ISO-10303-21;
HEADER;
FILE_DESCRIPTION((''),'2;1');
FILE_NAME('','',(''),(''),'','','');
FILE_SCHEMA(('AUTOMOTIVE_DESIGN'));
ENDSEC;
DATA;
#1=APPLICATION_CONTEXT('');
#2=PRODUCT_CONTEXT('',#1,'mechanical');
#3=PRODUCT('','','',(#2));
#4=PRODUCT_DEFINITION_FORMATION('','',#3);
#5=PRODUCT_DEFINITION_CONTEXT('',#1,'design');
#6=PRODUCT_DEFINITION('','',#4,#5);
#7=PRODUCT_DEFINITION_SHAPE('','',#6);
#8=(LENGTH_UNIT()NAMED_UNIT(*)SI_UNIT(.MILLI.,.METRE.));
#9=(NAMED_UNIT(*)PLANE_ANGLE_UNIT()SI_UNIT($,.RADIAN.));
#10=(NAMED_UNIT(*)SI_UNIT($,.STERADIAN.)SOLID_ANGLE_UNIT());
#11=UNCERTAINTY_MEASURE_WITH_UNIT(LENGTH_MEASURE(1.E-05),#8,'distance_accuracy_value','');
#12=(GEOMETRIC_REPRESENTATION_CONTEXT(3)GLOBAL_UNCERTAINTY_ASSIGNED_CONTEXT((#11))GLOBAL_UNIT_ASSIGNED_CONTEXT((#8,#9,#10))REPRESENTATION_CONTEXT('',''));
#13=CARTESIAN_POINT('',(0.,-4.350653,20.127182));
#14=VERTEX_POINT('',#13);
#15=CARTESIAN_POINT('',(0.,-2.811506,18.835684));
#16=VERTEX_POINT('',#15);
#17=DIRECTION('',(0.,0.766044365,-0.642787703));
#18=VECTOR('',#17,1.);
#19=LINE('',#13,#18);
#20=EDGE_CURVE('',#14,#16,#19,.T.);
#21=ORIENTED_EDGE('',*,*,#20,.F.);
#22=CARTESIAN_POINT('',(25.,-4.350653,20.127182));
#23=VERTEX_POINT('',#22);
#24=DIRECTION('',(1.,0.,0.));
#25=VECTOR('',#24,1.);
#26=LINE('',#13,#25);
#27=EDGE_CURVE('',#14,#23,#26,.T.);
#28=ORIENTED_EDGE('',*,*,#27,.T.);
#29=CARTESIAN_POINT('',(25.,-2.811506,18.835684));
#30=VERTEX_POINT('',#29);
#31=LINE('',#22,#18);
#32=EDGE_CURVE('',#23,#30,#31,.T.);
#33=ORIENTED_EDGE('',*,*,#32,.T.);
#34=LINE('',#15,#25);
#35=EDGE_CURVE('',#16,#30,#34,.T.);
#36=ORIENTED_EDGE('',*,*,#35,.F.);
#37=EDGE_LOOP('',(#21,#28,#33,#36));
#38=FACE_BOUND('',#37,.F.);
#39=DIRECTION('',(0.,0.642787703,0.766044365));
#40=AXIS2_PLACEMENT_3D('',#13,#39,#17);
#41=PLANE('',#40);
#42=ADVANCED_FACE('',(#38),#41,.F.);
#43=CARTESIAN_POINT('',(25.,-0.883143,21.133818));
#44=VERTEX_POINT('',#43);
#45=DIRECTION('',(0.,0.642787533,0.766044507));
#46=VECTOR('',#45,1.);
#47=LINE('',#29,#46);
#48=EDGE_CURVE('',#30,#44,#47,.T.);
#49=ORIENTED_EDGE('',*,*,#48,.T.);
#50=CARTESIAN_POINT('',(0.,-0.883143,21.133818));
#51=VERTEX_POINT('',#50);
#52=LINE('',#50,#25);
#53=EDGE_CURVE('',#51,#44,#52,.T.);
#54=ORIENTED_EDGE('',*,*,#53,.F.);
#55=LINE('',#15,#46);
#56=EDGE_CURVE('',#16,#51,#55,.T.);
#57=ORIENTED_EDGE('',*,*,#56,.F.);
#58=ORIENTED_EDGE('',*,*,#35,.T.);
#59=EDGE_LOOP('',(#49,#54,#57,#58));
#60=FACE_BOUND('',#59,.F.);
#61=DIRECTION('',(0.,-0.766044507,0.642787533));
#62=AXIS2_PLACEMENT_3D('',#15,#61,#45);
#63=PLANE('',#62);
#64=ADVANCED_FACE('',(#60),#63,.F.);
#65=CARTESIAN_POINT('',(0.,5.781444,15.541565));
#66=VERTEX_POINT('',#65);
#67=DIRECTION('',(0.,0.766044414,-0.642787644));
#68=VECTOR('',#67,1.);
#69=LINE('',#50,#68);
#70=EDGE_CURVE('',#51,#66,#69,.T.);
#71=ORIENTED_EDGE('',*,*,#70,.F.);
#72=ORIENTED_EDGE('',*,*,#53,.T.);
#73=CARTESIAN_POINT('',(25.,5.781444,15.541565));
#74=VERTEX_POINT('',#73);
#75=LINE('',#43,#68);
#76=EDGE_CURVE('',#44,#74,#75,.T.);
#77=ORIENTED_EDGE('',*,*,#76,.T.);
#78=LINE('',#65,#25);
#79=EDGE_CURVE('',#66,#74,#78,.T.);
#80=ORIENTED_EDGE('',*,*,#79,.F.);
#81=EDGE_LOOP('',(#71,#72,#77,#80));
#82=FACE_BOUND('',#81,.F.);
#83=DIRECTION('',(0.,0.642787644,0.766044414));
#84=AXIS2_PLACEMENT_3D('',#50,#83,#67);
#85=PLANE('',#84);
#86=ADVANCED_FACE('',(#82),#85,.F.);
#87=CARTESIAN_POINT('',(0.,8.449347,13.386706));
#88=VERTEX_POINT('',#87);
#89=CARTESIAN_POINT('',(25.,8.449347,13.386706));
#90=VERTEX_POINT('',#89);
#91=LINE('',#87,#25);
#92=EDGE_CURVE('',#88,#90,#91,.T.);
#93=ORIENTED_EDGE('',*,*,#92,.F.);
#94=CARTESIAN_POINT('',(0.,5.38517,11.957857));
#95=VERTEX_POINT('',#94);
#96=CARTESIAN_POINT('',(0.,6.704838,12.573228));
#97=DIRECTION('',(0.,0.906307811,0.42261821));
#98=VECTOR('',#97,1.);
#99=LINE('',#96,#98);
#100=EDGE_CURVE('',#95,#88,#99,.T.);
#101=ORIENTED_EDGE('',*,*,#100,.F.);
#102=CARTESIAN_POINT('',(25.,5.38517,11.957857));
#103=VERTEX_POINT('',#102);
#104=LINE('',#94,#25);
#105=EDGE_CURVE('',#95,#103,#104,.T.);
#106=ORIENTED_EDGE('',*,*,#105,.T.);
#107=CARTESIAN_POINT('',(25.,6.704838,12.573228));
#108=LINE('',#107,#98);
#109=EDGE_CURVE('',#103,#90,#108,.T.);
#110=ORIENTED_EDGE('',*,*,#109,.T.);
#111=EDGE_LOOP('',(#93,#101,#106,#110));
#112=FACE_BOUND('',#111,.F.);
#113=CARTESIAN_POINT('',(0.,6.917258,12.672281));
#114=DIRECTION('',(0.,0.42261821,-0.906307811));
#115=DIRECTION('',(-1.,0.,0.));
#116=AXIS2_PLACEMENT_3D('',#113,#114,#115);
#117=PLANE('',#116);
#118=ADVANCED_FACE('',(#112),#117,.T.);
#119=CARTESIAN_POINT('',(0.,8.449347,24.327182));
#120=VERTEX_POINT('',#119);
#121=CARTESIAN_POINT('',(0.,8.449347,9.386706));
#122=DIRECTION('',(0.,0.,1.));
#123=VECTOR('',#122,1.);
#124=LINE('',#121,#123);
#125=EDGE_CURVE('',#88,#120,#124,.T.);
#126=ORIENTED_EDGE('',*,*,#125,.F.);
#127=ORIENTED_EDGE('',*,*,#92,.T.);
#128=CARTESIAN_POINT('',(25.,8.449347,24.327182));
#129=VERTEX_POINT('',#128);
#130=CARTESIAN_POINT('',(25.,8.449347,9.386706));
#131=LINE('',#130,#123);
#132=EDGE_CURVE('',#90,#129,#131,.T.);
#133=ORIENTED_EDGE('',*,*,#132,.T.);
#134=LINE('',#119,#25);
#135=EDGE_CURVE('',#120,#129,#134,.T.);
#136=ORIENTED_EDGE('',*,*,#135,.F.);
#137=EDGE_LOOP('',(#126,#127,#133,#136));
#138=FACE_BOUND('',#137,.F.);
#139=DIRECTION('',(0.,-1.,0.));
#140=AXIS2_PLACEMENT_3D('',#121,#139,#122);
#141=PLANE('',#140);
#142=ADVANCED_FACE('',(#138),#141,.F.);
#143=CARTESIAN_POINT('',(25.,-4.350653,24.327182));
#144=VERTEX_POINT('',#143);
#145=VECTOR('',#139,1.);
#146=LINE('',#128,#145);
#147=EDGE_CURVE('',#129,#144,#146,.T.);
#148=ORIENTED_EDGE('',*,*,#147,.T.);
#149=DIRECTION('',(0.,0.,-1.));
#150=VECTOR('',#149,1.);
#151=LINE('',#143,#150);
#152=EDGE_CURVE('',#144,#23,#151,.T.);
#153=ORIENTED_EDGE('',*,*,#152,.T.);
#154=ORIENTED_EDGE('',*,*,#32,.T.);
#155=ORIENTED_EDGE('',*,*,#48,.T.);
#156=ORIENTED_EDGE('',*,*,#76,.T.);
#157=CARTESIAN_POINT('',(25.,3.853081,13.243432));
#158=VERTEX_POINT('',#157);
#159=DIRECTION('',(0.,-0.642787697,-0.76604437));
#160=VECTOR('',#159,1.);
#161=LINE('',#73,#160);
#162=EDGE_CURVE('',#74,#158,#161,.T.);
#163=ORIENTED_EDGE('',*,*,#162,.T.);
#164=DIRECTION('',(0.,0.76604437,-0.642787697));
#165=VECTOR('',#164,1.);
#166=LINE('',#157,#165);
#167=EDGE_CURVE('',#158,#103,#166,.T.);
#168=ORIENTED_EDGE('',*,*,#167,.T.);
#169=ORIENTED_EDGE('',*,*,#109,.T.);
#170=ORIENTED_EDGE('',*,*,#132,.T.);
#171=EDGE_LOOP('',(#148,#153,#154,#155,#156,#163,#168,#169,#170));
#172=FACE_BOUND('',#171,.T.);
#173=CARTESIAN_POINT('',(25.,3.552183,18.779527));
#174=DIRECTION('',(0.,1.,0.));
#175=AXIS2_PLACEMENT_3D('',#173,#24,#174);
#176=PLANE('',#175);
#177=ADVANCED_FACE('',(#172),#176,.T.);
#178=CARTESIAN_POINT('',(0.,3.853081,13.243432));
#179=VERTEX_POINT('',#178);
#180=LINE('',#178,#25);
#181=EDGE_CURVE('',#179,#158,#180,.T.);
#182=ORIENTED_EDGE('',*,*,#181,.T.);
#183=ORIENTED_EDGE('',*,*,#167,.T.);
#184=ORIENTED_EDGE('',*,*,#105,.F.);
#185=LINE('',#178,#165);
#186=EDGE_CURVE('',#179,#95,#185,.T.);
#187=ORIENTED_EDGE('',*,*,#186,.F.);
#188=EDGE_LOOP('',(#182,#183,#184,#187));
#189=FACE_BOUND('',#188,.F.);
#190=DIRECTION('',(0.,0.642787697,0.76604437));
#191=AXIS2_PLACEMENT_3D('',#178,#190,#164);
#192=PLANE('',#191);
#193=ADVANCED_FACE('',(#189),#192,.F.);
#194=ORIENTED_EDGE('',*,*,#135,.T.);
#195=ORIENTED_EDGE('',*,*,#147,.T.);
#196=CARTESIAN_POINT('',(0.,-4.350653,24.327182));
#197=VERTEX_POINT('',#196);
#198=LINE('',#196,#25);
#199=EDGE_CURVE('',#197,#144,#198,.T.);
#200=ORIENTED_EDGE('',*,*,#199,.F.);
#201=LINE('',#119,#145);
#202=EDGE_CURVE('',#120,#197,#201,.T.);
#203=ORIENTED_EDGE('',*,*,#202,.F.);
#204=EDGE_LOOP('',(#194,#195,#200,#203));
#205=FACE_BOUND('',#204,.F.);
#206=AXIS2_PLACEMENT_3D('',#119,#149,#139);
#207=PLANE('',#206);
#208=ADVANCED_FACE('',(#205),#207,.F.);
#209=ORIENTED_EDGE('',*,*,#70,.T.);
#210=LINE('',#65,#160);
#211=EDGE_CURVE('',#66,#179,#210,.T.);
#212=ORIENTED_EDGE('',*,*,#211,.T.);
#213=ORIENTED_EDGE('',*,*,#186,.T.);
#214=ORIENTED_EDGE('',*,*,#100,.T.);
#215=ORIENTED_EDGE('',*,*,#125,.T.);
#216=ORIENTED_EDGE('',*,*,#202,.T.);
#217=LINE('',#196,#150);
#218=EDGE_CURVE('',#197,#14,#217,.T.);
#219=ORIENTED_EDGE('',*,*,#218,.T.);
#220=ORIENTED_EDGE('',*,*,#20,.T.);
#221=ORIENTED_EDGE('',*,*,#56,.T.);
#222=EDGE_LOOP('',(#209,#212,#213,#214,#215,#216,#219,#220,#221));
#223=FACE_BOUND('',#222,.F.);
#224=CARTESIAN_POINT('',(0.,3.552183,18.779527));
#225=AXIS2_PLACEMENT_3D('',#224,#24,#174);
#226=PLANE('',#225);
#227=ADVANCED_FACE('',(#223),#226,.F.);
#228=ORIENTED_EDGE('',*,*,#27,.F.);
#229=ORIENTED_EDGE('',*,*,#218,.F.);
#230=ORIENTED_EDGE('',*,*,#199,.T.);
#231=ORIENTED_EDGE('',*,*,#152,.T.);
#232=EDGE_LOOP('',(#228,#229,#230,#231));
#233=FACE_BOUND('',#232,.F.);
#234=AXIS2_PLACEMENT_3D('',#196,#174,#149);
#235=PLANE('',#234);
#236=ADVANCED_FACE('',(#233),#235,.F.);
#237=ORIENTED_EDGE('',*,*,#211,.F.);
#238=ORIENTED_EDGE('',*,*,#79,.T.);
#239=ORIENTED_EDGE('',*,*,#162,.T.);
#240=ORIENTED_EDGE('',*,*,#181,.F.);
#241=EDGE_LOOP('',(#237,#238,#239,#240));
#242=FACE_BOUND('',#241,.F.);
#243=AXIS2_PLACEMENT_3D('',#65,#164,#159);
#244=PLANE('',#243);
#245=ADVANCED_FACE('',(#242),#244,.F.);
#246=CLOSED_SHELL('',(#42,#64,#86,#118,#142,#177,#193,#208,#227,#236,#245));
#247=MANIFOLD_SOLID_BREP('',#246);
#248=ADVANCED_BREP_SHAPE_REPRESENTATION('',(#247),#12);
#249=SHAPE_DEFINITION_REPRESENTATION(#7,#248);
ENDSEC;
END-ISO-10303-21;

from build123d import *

# Parameters (mm, degrees)
F1_DEPTH = 25
F2_SIZE  = 4


with BuildPart() as f1:
    # F0 (on Right) → F1 (new body)
    with BuildSketch(Plane.YZ):
        Polygon((8.449347, 24.327182), (-4.350653, 24.327182), (-4.350653, 20.127182), (-2.811506, 18.835684), (-0.883143, 21.133818), (5.781444, 15.541565), (3.853081, 13.243432), (8.449347, 9.386706), align=None)
    extrude(amount=F1_DEPTH)

    # F2
    f2_edges = [f1.edges().sort_by_distance(p)[0] for p in [
        (12.5, 8.449347, 9.386706),
    ]]
    chamfer(f2_edges, length=F2_SIZE)


solid = f1.part
